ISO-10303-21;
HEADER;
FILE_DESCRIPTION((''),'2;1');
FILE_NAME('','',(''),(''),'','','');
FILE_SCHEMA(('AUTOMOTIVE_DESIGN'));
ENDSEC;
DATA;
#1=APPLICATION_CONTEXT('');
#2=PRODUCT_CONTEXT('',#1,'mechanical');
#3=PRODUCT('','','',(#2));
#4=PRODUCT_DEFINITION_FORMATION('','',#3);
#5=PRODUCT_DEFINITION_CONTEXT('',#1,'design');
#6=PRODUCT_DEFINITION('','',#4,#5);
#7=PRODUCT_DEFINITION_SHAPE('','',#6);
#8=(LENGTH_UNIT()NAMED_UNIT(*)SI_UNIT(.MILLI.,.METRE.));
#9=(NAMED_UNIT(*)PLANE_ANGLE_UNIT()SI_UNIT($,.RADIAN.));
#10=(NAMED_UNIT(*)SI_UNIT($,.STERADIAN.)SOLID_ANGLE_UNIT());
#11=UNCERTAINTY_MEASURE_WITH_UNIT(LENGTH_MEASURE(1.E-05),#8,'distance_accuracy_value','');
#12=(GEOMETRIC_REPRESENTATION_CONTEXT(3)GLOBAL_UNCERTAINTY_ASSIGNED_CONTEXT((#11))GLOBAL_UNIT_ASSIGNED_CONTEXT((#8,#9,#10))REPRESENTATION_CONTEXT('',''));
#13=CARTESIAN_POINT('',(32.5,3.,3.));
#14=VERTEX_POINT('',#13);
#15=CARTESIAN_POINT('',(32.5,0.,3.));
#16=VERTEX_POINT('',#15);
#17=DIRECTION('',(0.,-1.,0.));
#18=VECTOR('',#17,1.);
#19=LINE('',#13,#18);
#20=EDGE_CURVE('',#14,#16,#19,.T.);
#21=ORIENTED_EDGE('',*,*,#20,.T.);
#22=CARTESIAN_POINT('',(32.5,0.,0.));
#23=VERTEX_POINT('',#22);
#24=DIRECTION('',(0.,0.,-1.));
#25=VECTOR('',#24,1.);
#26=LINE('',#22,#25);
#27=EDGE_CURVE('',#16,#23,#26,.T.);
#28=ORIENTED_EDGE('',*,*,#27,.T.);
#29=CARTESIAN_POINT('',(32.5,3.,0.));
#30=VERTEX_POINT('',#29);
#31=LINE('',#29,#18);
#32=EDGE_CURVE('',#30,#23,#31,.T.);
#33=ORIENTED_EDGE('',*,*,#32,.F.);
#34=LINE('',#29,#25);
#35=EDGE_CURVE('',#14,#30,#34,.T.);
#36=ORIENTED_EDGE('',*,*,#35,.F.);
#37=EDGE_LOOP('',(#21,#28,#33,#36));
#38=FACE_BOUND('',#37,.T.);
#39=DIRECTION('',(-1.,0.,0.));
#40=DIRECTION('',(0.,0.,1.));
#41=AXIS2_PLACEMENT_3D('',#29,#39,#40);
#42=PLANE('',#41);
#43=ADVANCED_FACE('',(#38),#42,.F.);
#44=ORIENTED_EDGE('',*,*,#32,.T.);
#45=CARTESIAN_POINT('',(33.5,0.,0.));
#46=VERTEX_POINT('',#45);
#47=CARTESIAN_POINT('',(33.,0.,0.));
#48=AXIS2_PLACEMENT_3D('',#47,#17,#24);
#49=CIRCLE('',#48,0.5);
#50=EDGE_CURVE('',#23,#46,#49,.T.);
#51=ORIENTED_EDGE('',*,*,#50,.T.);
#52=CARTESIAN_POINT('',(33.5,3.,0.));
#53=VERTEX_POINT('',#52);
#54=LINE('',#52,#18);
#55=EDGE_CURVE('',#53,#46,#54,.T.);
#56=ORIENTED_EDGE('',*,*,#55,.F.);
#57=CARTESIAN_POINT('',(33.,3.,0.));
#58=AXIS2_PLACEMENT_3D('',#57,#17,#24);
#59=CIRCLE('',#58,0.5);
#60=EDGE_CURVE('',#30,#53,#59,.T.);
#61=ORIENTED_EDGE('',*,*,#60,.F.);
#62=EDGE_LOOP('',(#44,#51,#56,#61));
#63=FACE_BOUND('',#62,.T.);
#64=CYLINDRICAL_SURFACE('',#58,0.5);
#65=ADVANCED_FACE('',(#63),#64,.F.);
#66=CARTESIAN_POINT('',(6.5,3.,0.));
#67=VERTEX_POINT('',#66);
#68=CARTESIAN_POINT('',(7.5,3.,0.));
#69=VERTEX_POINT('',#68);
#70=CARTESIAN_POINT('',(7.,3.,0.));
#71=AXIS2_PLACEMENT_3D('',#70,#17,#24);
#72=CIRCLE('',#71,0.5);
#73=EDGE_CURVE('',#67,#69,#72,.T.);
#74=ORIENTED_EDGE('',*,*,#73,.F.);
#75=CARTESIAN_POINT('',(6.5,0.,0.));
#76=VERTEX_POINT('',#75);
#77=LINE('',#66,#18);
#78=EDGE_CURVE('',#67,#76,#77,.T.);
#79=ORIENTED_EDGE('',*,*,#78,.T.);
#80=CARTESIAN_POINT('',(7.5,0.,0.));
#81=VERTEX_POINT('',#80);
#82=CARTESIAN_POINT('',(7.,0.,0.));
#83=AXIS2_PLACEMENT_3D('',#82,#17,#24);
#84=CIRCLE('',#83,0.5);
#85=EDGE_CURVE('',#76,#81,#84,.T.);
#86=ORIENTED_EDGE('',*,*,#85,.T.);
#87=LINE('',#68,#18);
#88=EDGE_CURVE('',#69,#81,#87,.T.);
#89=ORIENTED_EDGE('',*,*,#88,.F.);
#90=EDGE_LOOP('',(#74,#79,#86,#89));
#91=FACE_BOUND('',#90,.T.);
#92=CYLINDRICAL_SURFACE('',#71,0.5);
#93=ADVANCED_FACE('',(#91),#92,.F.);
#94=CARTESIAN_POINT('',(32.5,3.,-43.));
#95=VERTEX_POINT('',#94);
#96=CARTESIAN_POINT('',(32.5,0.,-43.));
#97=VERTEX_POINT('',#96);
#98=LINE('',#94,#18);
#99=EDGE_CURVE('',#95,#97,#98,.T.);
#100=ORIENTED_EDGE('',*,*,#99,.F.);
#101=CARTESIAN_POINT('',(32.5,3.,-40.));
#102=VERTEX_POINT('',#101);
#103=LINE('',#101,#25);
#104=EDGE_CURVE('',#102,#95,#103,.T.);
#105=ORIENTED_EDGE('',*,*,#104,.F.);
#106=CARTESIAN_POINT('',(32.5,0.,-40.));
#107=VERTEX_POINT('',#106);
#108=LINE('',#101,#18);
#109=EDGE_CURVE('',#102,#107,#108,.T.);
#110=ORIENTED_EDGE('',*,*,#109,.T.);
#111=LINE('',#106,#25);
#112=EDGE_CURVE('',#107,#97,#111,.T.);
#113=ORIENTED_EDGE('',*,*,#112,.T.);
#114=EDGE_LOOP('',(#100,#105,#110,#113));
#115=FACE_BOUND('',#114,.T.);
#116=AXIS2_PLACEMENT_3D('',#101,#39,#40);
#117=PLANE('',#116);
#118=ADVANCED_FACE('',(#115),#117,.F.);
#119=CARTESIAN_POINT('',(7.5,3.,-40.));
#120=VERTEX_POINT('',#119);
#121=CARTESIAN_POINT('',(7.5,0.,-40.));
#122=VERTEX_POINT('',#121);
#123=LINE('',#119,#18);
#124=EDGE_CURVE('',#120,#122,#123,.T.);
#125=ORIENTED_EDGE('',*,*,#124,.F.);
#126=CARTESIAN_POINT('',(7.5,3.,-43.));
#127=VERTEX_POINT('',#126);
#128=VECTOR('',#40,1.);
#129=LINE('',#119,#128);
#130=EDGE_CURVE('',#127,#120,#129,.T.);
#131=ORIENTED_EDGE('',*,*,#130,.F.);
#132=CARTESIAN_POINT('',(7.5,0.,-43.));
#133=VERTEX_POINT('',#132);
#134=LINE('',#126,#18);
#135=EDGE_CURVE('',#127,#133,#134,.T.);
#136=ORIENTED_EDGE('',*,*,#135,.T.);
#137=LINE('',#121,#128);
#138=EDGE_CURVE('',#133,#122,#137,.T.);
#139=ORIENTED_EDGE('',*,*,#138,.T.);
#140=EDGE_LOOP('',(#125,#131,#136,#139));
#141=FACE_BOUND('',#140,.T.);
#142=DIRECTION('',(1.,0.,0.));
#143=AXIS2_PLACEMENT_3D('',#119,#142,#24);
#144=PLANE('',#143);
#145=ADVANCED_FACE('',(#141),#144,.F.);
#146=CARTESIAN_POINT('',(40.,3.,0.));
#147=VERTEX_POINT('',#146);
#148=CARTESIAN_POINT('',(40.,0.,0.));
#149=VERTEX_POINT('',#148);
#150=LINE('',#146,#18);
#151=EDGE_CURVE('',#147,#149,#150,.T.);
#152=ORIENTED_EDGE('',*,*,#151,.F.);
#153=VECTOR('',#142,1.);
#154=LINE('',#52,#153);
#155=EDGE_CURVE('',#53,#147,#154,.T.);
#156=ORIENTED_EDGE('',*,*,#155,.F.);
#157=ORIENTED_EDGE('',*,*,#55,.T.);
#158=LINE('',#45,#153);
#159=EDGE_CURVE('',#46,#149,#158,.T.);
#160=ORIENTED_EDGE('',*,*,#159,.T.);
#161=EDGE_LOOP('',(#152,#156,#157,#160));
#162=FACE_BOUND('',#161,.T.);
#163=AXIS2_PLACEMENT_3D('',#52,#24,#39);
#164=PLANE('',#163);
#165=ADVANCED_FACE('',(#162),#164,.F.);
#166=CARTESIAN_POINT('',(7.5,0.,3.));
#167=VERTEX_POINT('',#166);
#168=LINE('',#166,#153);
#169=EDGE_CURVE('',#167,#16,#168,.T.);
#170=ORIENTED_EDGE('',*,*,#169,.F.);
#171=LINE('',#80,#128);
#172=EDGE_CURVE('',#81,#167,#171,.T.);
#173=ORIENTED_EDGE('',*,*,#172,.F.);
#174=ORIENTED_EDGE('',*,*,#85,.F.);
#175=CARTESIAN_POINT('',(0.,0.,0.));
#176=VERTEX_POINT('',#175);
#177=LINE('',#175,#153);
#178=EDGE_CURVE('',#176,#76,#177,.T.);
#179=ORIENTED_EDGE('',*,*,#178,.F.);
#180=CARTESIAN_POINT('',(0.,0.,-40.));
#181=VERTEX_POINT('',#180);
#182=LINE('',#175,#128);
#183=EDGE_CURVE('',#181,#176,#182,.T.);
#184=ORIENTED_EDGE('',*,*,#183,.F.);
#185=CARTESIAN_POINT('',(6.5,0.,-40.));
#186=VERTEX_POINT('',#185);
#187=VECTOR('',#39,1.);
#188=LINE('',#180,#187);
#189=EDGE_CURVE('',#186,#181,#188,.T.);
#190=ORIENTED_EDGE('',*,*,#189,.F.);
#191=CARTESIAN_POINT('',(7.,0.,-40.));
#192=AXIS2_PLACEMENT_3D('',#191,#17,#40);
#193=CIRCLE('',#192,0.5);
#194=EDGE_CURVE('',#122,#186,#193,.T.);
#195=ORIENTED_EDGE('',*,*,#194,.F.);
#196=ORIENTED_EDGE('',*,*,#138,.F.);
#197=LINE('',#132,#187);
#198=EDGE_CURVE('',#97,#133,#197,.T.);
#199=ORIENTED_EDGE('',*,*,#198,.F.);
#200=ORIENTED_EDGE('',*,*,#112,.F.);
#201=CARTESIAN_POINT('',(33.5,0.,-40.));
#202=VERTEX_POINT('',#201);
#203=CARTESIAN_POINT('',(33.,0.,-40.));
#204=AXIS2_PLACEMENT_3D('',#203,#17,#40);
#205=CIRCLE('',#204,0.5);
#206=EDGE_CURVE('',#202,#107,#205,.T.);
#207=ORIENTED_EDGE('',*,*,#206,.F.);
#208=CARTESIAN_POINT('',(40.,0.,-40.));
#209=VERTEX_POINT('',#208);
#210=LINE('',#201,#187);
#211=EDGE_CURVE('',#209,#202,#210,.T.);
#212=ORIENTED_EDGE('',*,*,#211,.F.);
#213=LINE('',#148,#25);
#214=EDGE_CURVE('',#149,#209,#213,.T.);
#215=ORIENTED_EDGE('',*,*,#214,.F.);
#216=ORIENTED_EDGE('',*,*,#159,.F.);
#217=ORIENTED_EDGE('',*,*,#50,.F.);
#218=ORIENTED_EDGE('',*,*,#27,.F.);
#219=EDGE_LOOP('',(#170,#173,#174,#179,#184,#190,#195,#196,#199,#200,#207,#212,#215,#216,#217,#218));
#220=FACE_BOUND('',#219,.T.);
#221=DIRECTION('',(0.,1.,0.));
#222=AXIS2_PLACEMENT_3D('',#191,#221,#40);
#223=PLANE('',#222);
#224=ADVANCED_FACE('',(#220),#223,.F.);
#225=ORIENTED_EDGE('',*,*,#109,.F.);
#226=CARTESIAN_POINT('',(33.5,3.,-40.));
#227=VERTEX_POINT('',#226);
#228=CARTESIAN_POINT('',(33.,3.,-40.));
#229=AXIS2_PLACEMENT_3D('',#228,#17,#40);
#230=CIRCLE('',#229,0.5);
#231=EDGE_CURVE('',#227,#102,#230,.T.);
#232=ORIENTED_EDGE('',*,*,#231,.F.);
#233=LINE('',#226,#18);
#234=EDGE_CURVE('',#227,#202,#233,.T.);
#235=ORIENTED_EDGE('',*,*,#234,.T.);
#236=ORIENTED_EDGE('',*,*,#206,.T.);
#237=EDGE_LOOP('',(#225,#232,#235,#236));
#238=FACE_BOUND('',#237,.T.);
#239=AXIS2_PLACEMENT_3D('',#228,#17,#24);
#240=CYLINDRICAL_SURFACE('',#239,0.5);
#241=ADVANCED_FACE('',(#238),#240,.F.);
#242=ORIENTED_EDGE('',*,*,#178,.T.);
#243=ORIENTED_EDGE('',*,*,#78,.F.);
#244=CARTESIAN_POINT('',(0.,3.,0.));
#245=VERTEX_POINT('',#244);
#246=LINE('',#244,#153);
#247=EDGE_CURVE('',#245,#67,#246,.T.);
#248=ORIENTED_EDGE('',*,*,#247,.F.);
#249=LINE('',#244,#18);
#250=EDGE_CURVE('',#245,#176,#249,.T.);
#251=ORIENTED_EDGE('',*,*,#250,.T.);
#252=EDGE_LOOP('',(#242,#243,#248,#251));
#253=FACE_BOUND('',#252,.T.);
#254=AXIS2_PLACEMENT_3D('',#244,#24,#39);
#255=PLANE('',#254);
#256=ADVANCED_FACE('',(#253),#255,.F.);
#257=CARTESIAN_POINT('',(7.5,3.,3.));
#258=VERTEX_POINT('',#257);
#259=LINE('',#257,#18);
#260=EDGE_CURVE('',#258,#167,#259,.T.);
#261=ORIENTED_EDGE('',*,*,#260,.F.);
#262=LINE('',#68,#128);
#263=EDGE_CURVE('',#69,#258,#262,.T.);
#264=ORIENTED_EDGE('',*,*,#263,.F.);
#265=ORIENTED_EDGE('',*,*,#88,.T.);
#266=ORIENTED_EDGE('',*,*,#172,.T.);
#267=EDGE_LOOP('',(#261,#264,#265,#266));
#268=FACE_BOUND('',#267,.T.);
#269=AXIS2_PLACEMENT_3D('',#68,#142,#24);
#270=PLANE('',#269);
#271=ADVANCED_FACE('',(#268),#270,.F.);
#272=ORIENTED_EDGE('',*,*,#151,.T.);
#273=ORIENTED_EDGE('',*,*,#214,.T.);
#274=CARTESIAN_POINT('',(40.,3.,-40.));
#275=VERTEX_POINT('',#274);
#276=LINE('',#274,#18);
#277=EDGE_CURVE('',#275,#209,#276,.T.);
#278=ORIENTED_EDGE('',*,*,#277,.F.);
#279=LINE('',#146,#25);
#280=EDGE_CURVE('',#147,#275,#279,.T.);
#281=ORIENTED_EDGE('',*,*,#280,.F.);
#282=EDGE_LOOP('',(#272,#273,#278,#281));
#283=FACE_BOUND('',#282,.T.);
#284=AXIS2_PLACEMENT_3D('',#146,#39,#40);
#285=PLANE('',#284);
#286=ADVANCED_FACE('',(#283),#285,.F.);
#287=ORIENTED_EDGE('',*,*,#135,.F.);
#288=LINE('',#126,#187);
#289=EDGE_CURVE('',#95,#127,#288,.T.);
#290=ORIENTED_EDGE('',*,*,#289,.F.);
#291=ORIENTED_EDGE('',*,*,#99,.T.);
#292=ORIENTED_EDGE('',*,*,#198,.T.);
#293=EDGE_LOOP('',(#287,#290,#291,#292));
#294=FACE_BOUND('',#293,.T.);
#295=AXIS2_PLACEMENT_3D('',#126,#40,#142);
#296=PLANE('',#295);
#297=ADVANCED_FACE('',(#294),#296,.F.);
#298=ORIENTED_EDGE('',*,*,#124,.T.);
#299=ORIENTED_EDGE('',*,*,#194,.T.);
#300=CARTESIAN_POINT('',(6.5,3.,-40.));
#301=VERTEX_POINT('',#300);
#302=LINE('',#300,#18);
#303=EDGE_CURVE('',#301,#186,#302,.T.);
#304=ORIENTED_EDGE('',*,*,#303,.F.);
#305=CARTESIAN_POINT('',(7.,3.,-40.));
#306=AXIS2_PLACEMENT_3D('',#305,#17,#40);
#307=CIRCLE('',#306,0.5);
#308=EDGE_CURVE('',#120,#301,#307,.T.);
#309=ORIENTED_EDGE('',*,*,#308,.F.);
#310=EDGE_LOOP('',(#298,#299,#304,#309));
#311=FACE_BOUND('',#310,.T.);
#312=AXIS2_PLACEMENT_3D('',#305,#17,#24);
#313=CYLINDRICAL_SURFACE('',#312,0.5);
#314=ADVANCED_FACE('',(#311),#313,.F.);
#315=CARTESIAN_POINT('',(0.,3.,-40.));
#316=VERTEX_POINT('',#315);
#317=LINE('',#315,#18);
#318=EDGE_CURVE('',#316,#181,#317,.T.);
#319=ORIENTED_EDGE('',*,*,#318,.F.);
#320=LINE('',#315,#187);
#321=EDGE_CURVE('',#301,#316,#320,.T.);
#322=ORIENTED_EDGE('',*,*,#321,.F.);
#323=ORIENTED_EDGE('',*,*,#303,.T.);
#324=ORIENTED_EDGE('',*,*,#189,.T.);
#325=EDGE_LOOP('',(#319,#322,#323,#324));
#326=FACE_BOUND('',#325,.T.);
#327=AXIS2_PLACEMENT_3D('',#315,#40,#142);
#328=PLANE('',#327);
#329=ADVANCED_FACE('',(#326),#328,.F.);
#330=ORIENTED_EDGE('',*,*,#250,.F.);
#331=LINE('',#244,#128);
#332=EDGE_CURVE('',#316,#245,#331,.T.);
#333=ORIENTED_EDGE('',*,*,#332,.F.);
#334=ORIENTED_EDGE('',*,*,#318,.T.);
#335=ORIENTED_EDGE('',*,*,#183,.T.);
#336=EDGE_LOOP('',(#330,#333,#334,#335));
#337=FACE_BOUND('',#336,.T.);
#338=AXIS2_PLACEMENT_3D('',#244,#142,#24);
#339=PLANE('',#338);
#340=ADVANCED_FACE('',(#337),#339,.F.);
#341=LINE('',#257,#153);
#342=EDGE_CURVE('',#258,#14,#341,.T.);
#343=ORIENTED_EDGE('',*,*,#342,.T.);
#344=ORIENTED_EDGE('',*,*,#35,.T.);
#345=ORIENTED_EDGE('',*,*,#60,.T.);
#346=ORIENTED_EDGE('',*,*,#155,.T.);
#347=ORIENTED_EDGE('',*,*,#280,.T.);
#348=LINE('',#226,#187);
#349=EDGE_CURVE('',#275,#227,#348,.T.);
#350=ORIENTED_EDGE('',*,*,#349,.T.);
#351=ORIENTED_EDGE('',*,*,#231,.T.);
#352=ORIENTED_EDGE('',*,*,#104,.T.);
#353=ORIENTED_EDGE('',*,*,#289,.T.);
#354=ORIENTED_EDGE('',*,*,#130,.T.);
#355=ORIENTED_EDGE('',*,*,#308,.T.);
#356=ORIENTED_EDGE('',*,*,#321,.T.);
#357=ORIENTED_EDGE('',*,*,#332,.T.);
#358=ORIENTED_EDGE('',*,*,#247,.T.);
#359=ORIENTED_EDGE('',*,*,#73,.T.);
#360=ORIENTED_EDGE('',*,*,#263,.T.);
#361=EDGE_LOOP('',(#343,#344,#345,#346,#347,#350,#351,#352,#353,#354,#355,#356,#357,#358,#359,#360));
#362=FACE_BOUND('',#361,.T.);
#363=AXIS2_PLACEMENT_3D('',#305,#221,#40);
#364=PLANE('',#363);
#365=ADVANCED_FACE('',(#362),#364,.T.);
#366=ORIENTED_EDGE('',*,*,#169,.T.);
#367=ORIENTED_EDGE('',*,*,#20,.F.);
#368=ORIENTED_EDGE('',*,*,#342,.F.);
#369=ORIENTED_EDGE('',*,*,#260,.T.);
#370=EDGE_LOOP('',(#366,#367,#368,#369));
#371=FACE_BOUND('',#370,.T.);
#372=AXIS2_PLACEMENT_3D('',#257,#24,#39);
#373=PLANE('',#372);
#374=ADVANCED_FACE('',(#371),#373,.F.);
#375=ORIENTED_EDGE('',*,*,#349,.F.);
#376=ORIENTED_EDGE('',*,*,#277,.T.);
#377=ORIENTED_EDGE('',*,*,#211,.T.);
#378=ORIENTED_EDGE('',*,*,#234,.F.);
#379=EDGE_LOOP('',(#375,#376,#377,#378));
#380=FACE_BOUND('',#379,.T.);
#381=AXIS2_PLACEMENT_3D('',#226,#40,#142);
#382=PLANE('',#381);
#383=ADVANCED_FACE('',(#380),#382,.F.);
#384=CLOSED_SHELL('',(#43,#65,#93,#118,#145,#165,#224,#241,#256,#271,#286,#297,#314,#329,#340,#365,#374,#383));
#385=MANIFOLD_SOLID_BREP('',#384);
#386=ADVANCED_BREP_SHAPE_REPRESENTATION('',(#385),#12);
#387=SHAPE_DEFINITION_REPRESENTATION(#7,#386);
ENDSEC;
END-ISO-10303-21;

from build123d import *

# Parameters (mm, degrees)
BOSS_EXTRUDE1_DEPTH = 3


with BuildPart() as part:
    # Sketch1 → Boss-Extrude1 (new body)
    with BuildSketch(Plane(origin=(0, 0, 0), x_dir=(1, 0, 0), z_dir=(0, 1, 0))):
        with BuildLine():
            Line((0, 0), (6.5, 0))
            ThreePointArc((6.5, 0), (7, 0.5), (7.5, 0))
            Line((7.5, 0), (7.5, -3))
            Line((7.5, -3), (32.5, -3))
            Line((32.5, -3), (32.5, 0))
            ThreePointArc((32.5, 0), (33, 0.5), (33.5, 0))
            Line((33.5, 0), (40, 0))
            Line((40, 0), (40, 40))
            Line((40, 40), (33.5, 40))
            ThreePointArc((33.5, 40), (33, 39.5), (32.5, 40))
            Line((32.5, 40), (32.5, 43))
            Line((32.5, 43), (7.5, 43))
            Line((7.5, 43), (7.5, 40))
            ThreePointArc((7.5, 40), (7, 39.5), (6.5, 40))
            Line((6.5, 40), (0, 40))
            Line((0, 40), (0, 0))
        make_face()
    extrude(amount=BOSS_EXTRUDE1_DEPTH)


solid = part.part
